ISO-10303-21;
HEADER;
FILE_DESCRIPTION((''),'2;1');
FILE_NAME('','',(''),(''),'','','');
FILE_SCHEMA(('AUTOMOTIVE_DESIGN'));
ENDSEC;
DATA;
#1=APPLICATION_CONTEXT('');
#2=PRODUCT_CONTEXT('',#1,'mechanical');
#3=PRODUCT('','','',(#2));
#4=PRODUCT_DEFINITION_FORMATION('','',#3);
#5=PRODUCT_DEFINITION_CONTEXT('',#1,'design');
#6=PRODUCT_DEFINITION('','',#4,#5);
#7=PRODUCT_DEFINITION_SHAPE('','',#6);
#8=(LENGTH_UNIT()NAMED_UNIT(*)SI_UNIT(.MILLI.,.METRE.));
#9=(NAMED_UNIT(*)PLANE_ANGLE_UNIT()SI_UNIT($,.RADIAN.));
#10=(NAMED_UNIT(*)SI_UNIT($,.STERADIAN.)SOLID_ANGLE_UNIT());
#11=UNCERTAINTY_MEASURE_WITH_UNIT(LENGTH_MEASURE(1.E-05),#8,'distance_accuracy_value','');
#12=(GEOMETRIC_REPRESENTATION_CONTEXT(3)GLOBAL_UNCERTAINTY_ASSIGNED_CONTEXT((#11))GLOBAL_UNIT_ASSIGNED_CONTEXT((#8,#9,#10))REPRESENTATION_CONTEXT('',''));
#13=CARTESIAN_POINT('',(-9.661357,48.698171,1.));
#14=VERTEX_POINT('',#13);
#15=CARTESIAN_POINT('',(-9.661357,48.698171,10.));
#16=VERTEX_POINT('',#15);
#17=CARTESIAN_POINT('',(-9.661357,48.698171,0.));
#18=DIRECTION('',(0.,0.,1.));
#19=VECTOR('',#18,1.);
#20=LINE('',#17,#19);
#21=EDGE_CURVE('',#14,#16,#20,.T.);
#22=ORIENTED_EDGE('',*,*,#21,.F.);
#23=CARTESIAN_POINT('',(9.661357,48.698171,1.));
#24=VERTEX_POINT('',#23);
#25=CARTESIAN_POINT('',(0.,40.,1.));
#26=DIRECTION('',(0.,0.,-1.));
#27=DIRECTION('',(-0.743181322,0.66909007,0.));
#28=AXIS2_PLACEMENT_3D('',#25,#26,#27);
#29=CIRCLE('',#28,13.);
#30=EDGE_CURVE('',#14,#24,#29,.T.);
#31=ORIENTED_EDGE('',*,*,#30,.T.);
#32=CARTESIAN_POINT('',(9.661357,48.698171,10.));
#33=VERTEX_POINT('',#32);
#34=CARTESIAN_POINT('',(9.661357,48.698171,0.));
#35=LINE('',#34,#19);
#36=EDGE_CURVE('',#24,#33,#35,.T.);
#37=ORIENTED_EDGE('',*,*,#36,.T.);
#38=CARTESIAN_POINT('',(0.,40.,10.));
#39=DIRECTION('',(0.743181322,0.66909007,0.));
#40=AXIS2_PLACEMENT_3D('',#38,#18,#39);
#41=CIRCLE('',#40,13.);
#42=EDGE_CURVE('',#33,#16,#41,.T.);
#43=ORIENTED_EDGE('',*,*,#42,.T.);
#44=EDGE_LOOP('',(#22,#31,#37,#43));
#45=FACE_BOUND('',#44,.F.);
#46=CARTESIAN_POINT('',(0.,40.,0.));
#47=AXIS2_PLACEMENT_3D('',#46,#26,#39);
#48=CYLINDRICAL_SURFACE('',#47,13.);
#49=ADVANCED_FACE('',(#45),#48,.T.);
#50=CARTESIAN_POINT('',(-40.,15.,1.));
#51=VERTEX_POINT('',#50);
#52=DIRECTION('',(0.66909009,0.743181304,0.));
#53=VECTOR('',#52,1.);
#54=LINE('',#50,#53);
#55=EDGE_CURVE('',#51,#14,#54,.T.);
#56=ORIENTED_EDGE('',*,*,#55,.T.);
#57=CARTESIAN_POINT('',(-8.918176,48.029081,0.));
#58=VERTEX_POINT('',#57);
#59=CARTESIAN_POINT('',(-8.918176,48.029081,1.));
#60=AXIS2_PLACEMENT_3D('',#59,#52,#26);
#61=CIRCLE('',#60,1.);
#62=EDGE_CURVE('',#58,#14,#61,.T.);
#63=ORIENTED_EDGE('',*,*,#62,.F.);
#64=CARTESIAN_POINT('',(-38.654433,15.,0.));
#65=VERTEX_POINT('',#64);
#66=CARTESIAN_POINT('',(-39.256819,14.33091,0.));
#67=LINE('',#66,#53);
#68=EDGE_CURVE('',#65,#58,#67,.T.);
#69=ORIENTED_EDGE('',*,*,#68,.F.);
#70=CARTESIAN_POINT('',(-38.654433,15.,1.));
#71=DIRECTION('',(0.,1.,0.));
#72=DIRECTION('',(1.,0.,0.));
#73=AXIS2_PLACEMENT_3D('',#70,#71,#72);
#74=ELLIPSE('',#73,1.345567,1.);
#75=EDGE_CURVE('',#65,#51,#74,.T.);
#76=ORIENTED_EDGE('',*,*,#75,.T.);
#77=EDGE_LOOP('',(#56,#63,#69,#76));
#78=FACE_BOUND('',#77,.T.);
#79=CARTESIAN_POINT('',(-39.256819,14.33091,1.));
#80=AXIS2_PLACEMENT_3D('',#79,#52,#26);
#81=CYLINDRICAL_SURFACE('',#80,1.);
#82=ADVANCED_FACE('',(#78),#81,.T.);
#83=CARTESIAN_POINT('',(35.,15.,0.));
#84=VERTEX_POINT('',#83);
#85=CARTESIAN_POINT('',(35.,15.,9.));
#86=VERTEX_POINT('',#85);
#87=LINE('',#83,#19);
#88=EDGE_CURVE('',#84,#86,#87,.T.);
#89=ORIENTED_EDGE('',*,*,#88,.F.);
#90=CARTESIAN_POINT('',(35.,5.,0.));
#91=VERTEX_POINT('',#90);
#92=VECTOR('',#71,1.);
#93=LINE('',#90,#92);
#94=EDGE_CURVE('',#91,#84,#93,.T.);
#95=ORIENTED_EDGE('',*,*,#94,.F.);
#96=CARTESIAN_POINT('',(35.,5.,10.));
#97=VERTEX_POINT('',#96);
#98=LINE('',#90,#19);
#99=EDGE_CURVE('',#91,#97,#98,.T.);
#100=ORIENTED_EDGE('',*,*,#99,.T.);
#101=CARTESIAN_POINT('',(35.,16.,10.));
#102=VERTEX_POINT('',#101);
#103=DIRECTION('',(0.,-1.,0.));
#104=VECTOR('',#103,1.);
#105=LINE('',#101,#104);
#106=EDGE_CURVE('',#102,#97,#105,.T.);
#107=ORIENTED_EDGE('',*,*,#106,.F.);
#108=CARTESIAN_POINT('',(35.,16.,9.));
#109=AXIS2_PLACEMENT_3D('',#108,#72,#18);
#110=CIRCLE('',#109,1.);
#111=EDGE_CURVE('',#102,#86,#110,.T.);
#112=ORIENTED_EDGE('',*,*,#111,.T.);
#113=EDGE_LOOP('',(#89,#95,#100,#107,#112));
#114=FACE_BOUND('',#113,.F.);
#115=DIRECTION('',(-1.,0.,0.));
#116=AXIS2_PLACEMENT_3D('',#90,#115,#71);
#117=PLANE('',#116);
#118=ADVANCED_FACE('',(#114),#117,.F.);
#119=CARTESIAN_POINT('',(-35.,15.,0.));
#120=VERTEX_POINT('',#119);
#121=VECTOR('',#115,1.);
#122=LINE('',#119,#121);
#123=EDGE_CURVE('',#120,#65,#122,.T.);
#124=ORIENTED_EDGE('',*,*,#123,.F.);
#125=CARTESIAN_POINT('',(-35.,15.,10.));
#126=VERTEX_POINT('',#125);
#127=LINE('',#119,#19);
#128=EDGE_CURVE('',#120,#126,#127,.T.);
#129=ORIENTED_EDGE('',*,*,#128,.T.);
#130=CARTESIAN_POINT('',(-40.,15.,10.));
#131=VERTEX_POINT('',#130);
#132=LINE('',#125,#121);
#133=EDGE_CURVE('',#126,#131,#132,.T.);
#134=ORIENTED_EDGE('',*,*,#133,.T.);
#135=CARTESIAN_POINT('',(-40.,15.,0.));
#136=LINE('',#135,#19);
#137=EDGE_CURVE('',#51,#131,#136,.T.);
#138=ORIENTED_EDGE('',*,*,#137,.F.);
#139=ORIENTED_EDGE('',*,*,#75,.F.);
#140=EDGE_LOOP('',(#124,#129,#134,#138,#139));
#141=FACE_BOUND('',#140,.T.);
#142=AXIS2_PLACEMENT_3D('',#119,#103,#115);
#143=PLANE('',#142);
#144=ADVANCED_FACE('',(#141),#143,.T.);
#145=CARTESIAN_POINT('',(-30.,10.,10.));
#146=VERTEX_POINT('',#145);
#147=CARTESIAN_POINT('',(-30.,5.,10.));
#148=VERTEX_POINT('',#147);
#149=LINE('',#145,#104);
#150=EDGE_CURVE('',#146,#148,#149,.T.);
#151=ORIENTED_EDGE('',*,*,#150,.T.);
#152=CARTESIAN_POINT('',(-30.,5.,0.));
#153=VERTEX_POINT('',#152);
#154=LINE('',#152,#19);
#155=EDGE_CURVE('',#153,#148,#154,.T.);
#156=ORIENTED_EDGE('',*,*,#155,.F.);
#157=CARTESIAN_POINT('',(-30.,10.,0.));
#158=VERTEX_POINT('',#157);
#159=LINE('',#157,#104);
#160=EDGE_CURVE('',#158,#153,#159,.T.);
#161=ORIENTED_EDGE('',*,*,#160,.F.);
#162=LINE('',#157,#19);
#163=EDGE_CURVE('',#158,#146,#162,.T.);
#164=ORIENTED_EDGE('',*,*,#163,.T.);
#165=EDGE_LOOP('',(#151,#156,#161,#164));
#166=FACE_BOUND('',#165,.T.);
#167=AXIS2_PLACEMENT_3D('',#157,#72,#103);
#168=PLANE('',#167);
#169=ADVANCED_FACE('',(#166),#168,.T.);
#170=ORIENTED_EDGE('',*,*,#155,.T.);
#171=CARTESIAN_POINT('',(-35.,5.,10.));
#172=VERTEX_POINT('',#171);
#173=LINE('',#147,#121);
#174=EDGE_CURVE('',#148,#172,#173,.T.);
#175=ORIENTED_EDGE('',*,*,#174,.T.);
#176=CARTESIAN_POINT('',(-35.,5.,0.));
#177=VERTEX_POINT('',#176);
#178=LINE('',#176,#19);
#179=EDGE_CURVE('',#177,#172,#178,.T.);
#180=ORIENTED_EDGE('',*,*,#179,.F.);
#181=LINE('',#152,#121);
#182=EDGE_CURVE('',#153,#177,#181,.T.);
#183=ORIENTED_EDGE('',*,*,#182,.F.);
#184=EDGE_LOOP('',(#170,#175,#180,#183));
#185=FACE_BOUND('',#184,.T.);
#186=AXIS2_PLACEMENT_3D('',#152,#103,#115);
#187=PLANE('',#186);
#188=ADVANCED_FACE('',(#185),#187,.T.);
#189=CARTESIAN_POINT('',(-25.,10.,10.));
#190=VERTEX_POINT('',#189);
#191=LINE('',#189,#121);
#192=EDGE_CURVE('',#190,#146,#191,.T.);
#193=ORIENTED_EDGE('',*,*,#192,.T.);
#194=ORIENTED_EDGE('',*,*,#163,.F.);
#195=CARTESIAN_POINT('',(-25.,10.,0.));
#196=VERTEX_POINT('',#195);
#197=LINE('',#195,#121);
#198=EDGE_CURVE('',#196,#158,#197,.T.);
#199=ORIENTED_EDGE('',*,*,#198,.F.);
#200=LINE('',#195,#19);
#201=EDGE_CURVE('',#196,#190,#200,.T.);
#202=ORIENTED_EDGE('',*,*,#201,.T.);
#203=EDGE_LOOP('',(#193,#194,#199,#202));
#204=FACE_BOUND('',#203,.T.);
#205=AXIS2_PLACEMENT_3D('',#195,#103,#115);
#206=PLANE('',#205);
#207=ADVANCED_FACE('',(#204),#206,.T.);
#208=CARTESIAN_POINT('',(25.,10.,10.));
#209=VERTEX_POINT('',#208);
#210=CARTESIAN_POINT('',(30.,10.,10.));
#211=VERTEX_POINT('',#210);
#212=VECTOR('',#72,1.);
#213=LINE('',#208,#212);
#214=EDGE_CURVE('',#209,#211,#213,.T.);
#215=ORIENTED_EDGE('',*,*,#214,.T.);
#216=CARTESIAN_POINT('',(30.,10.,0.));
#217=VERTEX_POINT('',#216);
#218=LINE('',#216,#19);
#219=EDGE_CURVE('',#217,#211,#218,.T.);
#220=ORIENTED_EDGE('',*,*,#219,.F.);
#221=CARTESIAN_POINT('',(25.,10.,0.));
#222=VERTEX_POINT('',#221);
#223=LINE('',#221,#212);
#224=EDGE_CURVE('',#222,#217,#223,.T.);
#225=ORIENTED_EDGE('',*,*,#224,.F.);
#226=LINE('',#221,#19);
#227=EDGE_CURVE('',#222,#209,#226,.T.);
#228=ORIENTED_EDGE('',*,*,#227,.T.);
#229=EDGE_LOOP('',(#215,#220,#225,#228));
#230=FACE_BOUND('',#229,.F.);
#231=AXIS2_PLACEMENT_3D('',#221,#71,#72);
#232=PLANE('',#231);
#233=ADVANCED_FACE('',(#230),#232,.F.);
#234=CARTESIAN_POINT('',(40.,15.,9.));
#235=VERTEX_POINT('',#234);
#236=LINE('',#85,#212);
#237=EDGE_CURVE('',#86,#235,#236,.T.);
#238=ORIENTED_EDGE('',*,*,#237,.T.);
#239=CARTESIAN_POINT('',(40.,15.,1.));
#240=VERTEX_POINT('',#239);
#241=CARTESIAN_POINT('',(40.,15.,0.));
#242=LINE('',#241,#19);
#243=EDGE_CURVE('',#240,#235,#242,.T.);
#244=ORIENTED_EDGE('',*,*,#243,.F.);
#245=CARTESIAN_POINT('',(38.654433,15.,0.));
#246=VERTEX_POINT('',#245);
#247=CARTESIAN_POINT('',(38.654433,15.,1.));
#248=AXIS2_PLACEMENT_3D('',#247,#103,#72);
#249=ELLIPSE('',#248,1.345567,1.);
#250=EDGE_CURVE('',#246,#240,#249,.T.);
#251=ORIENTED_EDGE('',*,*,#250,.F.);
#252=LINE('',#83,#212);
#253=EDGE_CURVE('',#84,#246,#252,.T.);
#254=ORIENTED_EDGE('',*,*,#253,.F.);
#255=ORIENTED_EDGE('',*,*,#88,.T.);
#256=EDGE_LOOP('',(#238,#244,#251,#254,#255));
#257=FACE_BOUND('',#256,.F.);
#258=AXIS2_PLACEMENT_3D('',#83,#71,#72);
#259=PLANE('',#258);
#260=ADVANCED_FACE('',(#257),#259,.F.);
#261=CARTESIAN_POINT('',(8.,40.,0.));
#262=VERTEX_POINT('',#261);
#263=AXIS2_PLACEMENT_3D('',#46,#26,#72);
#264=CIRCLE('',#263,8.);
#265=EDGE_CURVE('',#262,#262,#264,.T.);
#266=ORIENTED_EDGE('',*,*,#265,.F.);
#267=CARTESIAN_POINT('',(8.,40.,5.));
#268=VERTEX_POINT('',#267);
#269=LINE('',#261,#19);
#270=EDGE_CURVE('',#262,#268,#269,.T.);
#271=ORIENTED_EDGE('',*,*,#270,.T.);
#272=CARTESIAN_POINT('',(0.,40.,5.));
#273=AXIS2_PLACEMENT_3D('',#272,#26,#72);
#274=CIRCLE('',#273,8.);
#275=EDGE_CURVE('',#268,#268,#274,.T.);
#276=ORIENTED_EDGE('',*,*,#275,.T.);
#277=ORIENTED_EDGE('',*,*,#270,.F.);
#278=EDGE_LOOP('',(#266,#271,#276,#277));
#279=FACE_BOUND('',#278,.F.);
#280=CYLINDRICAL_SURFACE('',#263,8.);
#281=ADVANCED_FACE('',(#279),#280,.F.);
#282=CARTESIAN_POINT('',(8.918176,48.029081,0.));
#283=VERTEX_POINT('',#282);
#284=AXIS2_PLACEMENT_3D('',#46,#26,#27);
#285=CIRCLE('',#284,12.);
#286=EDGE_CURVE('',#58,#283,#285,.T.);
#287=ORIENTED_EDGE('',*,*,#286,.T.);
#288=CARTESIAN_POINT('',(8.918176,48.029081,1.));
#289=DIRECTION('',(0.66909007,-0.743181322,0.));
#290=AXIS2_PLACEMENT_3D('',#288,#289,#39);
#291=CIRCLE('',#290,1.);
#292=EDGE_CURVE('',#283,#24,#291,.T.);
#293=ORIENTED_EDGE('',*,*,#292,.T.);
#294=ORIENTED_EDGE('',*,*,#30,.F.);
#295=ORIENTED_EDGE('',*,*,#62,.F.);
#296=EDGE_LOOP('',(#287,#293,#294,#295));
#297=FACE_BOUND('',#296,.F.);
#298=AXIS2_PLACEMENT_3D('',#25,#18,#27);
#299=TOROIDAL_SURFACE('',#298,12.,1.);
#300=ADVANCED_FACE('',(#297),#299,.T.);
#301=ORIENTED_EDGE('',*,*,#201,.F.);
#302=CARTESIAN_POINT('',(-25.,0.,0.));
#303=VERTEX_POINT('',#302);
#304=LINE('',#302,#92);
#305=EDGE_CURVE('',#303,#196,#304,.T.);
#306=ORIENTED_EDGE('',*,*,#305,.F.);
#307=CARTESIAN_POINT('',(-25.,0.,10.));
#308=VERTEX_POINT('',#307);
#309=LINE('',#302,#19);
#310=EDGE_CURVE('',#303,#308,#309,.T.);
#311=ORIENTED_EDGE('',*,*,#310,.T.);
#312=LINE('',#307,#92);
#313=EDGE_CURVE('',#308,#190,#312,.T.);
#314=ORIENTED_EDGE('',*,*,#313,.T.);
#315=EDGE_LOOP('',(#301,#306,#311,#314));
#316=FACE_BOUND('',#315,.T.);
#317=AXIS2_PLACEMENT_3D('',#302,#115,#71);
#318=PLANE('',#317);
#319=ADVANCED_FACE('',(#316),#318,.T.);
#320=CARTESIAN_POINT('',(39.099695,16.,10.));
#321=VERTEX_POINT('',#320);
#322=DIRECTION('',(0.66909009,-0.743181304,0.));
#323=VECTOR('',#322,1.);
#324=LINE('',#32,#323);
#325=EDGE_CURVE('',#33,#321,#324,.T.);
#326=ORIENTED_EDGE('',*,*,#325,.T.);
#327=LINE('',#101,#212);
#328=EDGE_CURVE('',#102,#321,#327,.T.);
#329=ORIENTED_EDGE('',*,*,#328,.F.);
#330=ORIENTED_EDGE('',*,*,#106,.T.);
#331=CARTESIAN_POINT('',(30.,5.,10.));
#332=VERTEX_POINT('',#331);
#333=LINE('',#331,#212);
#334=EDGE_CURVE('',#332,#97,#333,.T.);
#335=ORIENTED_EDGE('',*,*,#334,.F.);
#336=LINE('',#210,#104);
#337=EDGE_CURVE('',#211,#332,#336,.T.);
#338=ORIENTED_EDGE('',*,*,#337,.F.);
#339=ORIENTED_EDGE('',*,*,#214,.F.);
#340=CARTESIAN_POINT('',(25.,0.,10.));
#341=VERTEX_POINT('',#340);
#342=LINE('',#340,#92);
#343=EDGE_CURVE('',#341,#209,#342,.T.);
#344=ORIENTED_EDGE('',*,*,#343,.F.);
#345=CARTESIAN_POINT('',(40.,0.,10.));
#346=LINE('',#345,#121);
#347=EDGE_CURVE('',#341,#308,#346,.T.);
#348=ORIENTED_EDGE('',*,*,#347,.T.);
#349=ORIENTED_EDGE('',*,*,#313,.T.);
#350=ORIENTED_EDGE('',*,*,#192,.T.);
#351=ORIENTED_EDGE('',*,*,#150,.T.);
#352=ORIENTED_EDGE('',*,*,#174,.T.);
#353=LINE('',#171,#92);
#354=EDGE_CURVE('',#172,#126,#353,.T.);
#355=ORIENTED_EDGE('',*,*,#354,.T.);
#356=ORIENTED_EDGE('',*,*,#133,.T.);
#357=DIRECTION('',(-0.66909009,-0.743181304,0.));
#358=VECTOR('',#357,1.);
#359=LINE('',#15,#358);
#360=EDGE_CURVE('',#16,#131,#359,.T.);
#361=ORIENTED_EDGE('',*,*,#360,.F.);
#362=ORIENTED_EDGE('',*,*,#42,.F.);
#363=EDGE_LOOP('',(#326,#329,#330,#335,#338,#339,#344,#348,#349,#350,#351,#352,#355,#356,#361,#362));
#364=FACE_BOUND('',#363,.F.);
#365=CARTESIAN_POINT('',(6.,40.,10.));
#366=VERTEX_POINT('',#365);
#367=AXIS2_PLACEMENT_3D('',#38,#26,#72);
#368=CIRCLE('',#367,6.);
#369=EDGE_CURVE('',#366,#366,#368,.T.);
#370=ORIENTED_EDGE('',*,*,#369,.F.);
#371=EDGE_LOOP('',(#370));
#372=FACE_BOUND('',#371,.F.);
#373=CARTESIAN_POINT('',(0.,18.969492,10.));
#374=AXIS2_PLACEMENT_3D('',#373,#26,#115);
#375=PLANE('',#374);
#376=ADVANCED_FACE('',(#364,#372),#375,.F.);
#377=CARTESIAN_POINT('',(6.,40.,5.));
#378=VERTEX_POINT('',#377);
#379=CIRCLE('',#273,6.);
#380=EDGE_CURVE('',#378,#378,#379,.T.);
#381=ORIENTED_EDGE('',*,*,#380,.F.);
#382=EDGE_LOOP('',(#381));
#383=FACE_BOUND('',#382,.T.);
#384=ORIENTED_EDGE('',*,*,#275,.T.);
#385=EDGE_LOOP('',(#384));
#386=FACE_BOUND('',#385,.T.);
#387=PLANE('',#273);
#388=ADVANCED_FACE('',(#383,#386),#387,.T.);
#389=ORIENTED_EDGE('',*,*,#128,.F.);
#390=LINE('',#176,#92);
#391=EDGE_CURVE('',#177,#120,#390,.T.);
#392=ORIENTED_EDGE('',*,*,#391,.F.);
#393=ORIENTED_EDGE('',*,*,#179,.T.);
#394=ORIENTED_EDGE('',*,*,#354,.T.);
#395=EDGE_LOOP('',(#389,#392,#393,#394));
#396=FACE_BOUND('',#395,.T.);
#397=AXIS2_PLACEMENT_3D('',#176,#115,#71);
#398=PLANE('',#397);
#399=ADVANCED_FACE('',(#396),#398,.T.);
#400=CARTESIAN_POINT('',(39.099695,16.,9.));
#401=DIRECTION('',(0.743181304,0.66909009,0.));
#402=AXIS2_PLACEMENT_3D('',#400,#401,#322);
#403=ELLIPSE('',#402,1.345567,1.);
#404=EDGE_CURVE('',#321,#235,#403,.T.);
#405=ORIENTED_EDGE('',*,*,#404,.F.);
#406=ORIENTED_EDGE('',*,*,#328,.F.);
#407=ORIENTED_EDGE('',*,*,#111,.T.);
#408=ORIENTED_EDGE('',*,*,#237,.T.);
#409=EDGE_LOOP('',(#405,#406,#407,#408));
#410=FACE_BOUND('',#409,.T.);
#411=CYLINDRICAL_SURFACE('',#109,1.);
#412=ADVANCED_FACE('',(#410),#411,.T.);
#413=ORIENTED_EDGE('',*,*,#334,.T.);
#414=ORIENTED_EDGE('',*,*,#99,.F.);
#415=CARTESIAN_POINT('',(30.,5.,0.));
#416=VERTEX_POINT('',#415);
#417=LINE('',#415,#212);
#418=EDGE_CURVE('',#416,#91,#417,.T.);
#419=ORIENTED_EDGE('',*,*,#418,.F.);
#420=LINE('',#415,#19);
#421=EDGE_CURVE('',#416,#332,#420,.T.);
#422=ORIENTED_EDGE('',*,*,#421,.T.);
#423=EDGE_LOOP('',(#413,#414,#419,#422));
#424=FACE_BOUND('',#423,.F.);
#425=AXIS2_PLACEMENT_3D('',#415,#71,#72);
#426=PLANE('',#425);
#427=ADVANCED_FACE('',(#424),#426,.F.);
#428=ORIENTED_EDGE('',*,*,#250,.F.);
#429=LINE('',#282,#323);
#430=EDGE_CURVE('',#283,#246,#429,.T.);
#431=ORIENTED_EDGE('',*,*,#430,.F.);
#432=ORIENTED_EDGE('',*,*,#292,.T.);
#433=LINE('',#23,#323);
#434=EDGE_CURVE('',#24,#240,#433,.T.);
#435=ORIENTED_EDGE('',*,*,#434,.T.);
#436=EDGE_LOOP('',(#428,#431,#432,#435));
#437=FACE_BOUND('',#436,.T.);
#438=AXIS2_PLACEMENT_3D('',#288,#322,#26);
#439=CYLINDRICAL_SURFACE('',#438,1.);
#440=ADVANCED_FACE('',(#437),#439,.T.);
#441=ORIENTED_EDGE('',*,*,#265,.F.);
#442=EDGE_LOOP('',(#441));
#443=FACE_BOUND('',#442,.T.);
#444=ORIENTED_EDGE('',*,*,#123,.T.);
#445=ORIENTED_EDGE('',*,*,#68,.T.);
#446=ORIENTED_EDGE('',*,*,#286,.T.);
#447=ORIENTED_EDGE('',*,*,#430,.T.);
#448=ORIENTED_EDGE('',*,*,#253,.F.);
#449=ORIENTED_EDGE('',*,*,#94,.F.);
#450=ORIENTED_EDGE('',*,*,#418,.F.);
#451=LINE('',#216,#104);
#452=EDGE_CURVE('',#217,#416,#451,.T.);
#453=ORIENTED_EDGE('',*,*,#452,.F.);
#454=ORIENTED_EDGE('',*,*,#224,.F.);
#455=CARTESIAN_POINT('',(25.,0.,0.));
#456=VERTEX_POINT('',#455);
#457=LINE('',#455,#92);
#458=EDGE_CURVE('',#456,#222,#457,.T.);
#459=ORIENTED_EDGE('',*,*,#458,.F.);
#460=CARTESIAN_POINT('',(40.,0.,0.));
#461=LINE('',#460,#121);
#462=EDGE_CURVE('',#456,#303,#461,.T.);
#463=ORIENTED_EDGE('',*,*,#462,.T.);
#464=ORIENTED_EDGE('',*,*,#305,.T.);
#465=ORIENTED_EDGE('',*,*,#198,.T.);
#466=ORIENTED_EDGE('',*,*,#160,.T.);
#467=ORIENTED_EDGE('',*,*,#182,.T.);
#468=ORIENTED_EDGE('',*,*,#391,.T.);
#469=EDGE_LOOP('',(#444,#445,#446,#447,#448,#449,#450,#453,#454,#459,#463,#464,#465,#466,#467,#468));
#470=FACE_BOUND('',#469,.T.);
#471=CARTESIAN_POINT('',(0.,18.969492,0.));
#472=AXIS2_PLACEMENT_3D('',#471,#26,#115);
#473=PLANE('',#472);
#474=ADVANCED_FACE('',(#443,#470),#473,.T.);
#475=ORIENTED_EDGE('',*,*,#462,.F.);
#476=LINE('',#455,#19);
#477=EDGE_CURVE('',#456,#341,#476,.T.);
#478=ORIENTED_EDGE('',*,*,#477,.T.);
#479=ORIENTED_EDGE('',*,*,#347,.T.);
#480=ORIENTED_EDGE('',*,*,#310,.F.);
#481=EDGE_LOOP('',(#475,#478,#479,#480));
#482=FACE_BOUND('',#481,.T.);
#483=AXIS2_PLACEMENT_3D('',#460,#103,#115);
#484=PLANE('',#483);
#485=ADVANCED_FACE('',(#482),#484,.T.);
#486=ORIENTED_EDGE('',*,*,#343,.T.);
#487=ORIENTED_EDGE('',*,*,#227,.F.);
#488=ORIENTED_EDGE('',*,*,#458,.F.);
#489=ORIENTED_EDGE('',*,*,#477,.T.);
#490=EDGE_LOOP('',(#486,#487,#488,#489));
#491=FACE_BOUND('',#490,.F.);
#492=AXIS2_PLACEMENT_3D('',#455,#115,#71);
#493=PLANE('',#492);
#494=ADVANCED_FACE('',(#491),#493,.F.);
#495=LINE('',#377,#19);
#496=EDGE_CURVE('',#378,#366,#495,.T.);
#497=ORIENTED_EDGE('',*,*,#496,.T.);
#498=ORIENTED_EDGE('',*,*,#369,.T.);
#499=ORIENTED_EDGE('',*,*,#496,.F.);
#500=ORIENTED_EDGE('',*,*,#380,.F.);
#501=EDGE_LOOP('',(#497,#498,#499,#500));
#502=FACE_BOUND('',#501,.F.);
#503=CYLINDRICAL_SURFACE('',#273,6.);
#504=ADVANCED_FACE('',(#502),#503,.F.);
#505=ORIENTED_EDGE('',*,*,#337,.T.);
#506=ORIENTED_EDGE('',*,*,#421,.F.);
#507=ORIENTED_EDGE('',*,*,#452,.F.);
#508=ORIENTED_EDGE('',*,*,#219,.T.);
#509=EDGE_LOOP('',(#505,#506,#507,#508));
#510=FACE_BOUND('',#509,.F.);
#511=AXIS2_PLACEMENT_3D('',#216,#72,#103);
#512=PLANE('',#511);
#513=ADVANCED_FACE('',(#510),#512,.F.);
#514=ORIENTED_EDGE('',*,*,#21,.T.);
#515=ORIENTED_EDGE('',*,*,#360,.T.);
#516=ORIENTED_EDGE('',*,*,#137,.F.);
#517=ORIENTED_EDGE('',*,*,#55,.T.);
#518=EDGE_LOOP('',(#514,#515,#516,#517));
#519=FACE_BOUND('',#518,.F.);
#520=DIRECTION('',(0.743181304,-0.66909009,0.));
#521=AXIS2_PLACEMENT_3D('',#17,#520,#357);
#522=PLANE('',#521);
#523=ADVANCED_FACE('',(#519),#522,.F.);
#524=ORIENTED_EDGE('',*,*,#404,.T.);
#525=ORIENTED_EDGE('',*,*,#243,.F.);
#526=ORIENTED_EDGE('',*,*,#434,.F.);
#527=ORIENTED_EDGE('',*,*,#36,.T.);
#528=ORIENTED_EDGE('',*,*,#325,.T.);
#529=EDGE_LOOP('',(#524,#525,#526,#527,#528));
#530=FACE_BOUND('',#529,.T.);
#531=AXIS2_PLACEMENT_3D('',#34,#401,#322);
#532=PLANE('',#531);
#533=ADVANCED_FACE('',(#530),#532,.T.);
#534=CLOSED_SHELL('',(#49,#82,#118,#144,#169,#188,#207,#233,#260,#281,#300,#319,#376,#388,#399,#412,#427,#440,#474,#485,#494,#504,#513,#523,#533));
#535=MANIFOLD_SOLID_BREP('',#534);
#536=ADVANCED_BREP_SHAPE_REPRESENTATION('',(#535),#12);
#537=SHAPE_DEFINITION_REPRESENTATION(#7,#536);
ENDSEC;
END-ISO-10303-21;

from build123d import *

# Parameters (mm, degrees)
PAD_DEPTH       = 10
SKETCH001_R     = 8
POCKET_DEPTH    = 5
SKETCH003_R     = 6
POCKET001_DEPTH = 5
POCKET002_DEPTH = 10
FILLET_R        = 1


with BuildPart() as part:
    # Sketch → Pad (new body)
    with BuildSketch(Plane.XY):
        with BuildLine():
            Line((40, 0), (-40, 0))
            Line((-40, 0), (-40, 15))
            Line((-9.661357, 48.698171), (-40, 15))
            ThreePointArc((9.661357, 48.698171), (0, 53), (-9.661357, 48.698171))
            Line((9.661357, 48.698171), (40, 15))
            Line((40, 0), (40, 15))
        make_face()
    extrude(amount=PAD_DEPTH)

    # Sketch001 (on Face7 of Pad) → Pocket (cut)
    with BuildSketch(Plane(origin=(0, 0, 0), x_dir=(1, 0, 0), z_dir=(0, 0, -1))):
        with Locations((0, -40)):
            Circle(SKETCH001_R)
    extrude(amount=-POCKET_DEPTH, mode=Mode.SUBTRACT)

    # Sketch003 (on Face10 of Pocket) → Pocket001 (cut)
    with BuildSketch(Plane(origin=(0, 0, 5), x_dir=(1, 0, 0), z_dir=(0, 0, -1))):
        with Locations((0, -40)):
            Circle(SKETCH003_R)
    extrude(amount=-POCKET001_DEPTH, mode=Mode.SUBTRACT)

    # Sketch002 (on Face4 of Pocket001) → Pocket002 (cut)
    with BuildSketch(Plane(origin=(0, 0, 0), x_dir=(1, 0, 0), z_dir=(0, 0, -1))):
        Polygon((-40, -15), (-40, 0), (-25, 0), (-25, -10), (-30, -10), (-30, -5), (-35, -5), (-35, -15), align=None)
        Polygon((40, -15), (40, 0), (25, 0), (25, -10), (30, -10), (30, -5), (35, -5), (35, -15), align=None)
    extrude(amount=-POCKET002_DEPTH, mode=Mode.SUBTRACT)

    # Fillet
    fillet_edges = [part.edges().sort_by_distance(p)[0] for p in [
        (37.5, 15, 10),
        (24.830678, 31.849086, 0),
    ]]
    fillet(fillet_edges, radius=FILLET_R)


solid = part.part
